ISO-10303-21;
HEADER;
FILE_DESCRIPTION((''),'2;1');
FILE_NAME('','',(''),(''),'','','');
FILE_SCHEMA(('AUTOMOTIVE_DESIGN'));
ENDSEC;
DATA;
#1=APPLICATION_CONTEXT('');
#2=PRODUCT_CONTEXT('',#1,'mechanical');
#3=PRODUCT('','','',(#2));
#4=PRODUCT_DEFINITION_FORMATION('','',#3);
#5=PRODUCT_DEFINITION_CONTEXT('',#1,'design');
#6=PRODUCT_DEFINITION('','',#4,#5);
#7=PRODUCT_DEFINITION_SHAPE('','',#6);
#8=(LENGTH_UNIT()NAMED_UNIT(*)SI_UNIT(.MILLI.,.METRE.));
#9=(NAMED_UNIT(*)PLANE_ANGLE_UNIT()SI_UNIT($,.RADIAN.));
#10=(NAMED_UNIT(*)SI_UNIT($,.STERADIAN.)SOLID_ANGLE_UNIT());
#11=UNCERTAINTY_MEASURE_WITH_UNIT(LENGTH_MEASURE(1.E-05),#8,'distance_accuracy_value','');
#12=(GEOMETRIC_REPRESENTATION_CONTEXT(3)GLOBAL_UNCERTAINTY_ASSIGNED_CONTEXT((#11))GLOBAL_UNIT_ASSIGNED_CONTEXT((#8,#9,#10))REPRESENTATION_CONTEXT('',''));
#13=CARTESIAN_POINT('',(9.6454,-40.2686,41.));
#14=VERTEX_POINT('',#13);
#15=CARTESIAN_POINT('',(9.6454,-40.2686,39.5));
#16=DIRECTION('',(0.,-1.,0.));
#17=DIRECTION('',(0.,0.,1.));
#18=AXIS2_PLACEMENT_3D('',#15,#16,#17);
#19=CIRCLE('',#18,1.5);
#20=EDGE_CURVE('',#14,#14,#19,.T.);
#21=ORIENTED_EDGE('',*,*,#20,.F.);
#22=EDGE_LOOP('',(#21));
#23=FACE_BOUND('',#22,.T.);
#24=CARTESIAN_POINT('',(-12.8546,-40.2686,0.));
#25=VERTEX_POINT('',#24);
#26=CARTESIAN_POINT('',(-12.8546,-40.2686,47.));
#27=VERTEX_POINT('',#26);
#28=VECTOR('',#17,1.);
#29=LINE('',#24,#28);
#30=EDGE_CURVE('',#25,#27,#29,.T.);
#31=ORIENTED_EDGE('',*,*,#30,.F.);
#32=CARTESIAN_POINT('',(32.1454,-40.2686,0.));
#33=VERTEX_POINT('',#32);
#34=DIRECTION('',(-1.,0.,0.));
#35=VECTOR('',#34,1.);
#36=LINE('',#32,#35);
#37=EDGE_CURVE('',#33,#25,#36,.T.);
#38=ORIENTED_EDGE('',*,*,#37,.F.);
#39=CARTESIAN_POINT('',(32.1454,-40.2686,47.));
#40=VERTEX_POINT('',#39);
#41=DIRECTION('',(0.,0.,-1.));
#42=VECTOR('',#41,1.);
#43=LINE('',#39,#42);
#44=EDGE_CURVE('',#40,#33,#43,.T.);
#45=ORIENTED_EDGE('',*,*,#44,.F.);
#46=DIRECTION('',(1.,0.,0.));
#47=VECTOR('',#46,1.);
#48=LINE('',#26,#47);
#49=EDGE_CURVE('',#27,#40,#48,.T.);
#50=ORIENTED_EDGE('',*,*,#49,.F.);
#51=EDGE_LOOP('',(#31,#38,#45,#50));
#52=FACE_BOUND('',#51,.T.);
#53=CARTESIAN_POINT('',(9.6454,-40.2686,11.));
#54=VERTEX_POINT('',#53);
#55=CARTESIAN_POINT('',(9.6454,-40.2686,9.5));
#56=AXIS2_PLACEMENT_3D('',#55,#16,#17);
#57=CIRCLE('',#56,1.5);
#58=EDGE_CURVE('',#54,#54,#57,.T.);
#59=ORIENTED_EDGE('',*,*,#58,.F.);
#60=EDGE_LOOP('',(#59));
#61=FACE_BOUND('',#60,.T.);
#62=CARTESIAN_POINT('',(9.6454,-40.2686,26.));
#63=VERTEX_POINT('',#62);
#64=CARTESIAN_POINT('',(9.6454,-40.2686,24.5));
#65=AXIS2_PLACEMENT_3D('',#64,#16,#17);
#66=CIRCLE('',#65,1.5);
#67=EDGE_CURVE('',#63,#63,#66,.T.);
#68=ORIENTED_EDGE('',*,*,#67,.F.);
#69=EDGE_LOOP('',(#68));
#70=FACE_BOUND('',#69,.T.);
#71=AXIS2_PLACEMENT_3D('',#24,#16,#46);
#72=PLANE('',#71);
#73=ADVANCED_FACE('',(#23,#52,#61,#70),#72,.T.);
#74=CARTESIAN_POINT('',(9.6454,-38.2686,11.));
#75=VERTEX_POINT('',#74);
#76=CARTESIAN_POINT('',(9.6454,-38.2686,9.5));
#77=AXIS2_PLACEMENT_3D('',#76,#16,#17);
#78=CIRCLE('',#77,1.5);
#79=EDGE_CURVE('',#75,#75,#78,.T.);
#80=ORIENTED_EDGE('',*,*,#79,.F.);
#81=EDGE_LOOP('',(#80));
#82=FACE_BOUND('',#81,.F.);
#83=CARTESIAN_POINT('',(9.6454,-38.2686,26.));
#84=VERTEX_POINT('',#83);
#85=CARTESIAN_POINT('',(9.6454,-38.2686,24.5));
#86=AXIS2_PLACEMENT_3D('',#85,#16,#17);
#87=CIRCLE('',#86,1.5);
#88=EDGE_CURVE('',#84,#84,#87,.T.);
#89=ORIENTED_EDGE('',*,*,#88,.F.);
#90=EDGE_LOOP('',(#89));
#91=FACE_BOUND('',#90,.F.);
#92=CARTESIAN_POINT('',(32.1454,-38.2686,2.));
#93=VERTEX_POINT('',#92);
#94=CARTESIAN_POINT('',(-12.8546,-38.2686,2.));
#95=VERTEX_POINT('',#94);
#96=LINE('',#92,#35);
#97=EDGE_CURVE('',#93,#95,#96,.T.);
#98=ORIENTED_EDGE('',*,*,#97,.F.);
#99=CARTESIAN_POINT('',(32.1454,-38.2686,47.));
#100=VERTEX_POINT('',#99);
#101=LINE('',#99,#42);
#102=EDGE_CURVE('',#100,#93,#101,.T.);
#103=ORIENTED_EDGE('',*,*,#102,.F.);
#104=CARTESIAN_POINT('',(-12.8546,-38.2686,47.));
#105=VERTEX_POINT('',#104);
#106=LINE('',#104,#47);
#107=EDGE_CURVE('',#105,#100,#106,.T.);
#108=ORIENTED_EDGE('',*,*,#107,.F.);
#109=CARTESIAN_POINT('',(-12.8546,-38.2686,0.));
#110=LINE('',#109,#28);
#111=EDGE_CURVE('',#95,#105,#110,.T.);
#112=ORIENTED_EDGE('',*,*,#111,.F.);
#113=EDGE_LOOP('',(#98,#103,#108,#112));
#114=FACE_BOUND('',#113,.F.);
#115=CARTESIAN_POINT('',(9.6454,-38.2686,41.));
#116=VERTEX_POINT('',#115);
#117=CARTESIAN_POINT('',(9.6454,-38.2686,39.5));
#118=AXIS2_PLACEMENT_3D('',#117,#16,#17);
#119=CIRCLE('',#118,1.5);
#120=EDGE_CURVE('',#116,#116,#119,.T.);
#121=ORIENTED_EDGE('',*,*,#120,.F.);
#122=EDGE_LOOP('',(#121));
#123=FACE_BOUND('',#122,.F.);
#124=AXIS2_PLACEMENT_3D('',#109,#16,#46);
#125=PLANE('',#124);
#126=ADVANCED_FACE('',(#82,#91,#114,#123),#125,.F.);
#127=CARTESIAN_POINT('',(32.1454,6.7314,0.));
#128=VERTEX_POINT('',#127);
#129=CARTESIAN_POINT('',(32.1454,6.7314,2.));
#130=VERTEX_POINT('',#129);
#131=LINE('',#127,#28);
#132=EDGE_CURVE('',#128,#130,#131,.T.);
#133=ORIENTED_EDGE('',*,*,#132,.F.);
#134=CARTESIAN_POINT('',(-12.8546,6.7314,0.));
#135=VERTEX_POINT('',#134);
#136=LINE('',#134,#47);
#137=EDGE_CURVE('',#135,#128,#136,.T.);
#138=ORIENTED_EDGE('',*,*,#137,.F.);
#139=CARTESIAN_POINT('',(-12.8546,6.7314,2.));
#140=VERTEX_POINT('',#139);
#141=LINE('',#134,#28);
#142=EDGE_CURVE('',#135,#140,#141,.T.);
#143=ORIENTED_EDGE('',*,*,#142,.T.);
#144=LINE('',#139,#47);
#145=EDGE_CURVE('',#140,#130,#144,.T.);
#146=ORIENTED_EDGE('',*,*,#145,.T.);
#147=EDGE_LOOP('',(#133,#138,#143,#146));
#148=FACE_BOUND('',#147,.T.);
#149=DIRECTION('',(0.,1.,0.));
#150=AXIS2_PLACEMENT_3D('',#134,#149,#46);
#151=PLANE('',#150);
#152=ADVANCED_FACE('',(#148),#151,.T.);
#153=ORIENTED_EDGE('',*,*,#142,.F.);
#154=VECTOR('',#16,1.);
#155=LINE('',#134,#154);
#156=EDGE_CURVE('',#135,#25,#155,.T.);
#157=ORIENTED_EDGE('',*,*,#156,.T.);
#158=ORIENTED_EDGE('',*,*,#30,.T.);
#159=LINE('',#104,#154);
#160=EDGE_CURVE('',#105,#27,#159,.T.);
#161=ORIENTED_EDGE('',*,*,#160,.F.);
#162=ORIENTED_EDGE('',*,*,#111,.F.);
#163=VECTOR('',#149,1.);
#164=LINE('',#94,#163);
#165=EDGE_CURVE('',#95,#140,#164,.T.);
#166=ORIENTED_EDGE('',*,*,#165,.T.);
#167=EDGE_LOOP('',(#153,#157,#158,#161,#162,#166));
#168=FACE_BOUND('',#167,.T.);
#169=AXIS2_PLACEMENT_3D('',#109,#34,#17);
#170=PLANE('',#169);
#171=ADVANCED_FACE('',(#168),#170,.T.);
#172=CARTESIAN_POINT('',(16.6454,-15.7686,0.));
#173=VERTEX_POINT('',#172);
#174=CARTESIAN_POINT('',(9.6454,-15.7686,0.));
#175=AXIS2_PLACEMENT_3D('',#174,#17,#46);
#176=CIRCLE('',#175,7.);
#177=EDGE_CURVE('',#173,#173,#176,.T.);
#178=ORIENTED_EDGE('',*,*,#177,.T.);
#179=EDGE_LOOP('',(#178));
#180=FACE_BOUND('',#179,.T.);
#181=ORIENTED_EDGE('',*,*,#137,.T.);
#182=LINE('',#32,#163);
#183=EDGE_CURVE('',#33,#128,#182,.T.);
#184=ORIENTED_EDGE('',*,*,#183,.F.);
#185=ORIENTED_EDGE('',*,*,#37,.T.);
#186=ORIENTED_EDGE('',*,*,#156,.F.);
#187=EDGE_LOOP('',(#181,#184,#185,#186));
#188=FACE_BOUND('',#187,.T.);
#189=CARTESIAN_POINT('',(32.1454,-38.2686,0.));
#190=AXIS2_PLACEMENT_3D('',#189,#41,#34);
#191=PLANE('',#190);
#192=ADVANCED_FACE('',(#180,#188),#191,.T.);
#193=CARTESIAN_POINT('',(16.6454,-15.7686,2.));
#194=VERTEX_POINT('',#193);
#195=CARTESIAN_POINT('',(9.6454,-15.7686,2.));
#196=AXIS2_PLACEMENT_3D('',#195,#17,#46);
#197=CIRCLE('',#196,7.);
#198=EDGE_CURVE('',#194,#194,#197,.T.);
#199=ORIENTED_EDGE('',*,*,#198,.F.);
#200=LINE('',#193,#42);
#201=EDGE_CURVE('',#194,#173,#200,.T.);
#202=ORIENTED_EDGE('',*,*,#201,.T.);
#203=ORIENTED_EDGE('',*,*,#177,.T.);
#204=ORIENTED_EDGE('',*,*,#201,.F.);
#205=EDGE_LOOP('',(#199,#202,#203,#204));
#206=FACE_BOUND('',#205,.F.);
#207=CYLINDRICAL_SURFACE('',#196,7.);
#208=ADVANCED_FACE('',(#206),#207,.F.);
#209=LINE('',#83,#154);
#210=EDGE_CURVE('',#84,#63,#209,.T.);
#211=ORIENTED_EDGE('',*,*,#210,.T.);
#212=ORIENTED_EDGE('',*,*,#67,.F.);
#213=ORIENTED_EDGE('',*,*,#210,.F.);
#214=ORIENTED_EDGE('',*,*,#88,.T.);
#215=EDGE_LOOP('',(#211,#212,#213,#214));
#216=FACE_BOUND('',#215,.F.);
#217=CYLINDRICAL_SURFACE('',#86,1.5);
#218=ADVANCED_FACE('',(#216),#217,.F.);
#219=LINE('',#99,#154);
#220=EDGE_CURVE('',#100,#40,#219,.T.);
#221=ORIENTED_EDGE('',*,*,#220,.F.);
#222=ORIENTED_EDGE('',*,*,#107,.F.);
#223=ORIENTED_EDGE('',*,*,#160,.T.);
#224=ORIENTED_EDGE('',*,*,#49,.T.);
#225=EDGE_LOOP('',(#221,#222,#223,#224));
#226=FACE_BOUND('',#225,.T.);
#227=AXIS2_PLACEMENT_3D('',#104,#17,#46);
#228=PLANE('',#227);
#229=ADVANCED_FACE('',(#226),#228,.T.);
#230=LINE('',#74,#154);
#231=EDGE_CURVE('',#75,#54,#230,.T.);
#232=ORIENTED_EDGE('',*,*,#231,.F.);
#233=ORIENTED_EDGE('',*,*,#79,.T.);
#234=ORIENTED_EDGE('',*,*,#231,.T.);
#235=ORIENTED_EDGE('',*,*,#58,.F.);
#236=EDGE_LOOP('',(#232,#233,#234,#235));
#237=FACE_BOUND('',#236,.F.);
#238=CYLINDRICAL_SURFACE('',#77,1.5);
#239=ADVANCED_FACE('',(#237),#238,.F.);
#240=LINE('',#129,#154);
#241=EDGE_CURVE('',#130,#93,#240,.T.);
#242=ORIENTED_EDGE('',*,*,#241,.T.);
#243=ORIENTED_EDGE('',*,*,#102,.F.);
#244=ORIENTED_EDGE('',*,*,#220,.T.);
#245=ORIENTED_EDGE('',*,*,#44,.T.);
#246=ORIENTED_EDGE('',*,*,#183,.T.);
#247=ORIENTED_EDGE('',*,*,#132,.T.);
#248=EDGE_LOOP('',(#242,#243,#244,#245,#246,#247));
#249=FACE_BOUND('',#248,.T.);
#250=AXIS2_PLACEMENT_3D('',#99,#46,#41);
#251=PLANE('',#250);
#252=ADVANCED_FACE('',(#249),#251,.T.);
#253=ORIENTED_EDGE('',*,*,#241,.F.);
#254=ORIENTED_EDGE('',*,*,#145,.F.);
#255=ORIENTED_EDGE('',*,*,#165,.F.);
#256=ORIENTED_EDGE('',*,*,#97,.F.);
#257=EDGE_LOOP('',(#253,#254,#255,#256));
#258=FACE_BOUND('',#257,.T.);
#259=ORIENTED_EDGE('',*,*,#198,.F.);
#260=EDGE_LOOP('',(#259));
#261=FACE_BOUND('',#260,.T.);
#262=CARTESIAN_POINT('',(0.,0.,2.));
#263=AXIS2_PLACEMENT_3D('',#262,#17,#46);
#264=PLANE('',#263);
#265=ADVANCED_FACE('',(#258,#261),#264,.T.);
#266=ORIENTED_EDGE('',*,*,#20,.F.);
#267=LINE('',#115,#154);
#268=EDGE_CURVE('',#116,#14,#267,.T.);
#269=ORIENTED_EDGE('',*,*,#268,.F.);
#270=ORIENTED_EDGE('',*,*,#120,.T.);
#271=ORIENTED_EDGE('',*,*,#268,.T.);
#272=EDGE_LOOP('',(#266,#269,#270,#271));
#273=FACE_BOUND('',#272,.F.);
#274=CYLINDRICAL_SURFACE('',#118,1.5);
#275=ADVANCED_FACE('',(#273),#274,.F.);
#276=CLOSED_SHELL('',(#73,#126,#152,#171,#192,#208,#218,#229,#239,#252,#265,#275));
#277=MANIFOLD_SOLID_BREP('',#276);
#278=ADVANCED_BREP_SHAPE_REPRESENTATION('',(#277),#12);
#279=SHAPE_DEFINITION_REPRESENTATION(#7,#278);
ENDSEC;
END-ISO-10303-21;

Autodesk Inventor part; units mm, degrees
ref_plane "YZ Plane" through (0, 0, 0) normal (1, 0, 0) x (0, 1, 0)
ref_plane "XZ Plane" through (0, 0, 0) normal (0, 1, 0) x (-1, 0, 0)
ref_plane "XY Plane" through (0, 0, 0) normal (0, 0, 1) x (1, 0, 0)
sketch "スケッチ1" plane through (0, 0, 0) normal (0, 0, 1) x (1, 0, 0)
  line L0 (-12.8546, 6.7314) -> (32.1454, 6.7314)
  line L1 (32.1454, 6.7314) -> (32.1454, -38.2686)
  line L2 (32.1454, -38.2686) -> (-12.8546, -38.2686)
  line L3 (-12.8546, -38.2686) -> (-12.8546, 6.7314)
  point P0 (0, 0)
  dimension "d0" = 45
  dimension "d1" = 45
sketch "スケッチ2" plane through (0, 0, 0) normal (0, 0, 1) x (1, 0, 0)
  point P0 (0, 0)
extrude "押し出し1" add sketch "スケッチ1" along normal blind 2
sketch "スケッチ3" plane through (0, 0, 2) normal (0, 0, 1) x (1, 0, 0)
  circle A0 centre (9.6454, -15.7686) radius 4
  line L0 (-12.8546, 6.7314) -> (-12.8546, -38.2686) projected
  line L1 (32.1454, 6.7314) -> (-12.8546, 6.7314) projected
  point P0 (0, 0)
  dimension "d4" = 8
  dimension "d5" = 22.5
  dimension "d6" = 45
  dimension "d7" = 22.5
hole "穴1" at (9.6454, -15.7686, 2) direction (0, 0, -1) diameter 8 depth 2
sketch "スケッチ4" plane through (-12.8546, -38.2686, 0) normal (0, -1, 0) x (1, 0, 0)
  line L0 (0, 47) -> (45, 47)
  line L1 (45, 47) -> (45, 0)
  line L2 (45, 0) -> (0, 0)
  line L3 (0, 0) -> (0, 47)
  point P0 (12.8546, 0)
  dimension "d15" = 45
  dimension "d16" = 47
extrude "押し出し2" add sketch "スケッチ4" along normal blind 2
sketch "スケッチ5" plane through (0, 0, 2) normal (0, 0, 1) x (1, 0, 0)
  circle A0 centre (9.6454, -15.7686) radius 7
  line L0 (32.1454, 6.7314) -> (-12.8546, 6.7314) projected
  line L1 (32.1454, -38.2686) -> (32.1454, 6.7314) projected
  point P0 (0, 0)
  dimension "d19" = 14
  dimension "d20" = 22.5
  dimension "d21" = 22.5
extrude "押し出し3" cut sketch "スケッチ5" against normal blind 2
sketch "スケッチ6" plane through (-12.8546, -38.2686, 0) normal (0, 1, 0) x (1, 0, 0)
  circle A0 centre (22.5, -9.5) radius 1.5
  circle A1 centre (22.5, -24.5) radius 1.5
  circle A2 centre (22.5, -39.5) radius 1.5
  line L0 (45, -47) -> (45, -2) projected
  line L1 (0, -47) -> (45, -47) projected
  point P0 (12.8546, 0)
  dimension "d24" = 3
  dimension "d25" = 3
  dimension "d26" = 3
  dimension "d27" = 22.5
  dimension "d28" = 22.5
  dimension "d29" = 22.5
  dimension "d30" = 7.5
  dimension "d31" = 15
  dimension "d32" = 15
hole "穴2" at (9.6454, -38.2686, 39.5) at (9.6454, -38.2686, 24.5) at (9.6454, -38.2686, 9.5) direction (0, -1, 0) diameter 3 depth 2
equation "\"BendRadius\" = Thickness"
equation "\"BendReliefWidth\" = Thickness"
equation "\"BendReliefDepth\" = 0.5 * Thickness"
equation "\"CornerReliefSize\" = 4 * Thickness"
equation "\"MinimumRemnant\" = 2 * Thickness"
equation "\"TransitionRadius\" = BendRadius"
equation "\"JacobiRadiusSize\" = BendRadius"
equation "\"GapSize\" = Thickness"
equation "\"Thickness\" = 0.5"
properties part number "nhk14" material "アルミニウム 6061"
